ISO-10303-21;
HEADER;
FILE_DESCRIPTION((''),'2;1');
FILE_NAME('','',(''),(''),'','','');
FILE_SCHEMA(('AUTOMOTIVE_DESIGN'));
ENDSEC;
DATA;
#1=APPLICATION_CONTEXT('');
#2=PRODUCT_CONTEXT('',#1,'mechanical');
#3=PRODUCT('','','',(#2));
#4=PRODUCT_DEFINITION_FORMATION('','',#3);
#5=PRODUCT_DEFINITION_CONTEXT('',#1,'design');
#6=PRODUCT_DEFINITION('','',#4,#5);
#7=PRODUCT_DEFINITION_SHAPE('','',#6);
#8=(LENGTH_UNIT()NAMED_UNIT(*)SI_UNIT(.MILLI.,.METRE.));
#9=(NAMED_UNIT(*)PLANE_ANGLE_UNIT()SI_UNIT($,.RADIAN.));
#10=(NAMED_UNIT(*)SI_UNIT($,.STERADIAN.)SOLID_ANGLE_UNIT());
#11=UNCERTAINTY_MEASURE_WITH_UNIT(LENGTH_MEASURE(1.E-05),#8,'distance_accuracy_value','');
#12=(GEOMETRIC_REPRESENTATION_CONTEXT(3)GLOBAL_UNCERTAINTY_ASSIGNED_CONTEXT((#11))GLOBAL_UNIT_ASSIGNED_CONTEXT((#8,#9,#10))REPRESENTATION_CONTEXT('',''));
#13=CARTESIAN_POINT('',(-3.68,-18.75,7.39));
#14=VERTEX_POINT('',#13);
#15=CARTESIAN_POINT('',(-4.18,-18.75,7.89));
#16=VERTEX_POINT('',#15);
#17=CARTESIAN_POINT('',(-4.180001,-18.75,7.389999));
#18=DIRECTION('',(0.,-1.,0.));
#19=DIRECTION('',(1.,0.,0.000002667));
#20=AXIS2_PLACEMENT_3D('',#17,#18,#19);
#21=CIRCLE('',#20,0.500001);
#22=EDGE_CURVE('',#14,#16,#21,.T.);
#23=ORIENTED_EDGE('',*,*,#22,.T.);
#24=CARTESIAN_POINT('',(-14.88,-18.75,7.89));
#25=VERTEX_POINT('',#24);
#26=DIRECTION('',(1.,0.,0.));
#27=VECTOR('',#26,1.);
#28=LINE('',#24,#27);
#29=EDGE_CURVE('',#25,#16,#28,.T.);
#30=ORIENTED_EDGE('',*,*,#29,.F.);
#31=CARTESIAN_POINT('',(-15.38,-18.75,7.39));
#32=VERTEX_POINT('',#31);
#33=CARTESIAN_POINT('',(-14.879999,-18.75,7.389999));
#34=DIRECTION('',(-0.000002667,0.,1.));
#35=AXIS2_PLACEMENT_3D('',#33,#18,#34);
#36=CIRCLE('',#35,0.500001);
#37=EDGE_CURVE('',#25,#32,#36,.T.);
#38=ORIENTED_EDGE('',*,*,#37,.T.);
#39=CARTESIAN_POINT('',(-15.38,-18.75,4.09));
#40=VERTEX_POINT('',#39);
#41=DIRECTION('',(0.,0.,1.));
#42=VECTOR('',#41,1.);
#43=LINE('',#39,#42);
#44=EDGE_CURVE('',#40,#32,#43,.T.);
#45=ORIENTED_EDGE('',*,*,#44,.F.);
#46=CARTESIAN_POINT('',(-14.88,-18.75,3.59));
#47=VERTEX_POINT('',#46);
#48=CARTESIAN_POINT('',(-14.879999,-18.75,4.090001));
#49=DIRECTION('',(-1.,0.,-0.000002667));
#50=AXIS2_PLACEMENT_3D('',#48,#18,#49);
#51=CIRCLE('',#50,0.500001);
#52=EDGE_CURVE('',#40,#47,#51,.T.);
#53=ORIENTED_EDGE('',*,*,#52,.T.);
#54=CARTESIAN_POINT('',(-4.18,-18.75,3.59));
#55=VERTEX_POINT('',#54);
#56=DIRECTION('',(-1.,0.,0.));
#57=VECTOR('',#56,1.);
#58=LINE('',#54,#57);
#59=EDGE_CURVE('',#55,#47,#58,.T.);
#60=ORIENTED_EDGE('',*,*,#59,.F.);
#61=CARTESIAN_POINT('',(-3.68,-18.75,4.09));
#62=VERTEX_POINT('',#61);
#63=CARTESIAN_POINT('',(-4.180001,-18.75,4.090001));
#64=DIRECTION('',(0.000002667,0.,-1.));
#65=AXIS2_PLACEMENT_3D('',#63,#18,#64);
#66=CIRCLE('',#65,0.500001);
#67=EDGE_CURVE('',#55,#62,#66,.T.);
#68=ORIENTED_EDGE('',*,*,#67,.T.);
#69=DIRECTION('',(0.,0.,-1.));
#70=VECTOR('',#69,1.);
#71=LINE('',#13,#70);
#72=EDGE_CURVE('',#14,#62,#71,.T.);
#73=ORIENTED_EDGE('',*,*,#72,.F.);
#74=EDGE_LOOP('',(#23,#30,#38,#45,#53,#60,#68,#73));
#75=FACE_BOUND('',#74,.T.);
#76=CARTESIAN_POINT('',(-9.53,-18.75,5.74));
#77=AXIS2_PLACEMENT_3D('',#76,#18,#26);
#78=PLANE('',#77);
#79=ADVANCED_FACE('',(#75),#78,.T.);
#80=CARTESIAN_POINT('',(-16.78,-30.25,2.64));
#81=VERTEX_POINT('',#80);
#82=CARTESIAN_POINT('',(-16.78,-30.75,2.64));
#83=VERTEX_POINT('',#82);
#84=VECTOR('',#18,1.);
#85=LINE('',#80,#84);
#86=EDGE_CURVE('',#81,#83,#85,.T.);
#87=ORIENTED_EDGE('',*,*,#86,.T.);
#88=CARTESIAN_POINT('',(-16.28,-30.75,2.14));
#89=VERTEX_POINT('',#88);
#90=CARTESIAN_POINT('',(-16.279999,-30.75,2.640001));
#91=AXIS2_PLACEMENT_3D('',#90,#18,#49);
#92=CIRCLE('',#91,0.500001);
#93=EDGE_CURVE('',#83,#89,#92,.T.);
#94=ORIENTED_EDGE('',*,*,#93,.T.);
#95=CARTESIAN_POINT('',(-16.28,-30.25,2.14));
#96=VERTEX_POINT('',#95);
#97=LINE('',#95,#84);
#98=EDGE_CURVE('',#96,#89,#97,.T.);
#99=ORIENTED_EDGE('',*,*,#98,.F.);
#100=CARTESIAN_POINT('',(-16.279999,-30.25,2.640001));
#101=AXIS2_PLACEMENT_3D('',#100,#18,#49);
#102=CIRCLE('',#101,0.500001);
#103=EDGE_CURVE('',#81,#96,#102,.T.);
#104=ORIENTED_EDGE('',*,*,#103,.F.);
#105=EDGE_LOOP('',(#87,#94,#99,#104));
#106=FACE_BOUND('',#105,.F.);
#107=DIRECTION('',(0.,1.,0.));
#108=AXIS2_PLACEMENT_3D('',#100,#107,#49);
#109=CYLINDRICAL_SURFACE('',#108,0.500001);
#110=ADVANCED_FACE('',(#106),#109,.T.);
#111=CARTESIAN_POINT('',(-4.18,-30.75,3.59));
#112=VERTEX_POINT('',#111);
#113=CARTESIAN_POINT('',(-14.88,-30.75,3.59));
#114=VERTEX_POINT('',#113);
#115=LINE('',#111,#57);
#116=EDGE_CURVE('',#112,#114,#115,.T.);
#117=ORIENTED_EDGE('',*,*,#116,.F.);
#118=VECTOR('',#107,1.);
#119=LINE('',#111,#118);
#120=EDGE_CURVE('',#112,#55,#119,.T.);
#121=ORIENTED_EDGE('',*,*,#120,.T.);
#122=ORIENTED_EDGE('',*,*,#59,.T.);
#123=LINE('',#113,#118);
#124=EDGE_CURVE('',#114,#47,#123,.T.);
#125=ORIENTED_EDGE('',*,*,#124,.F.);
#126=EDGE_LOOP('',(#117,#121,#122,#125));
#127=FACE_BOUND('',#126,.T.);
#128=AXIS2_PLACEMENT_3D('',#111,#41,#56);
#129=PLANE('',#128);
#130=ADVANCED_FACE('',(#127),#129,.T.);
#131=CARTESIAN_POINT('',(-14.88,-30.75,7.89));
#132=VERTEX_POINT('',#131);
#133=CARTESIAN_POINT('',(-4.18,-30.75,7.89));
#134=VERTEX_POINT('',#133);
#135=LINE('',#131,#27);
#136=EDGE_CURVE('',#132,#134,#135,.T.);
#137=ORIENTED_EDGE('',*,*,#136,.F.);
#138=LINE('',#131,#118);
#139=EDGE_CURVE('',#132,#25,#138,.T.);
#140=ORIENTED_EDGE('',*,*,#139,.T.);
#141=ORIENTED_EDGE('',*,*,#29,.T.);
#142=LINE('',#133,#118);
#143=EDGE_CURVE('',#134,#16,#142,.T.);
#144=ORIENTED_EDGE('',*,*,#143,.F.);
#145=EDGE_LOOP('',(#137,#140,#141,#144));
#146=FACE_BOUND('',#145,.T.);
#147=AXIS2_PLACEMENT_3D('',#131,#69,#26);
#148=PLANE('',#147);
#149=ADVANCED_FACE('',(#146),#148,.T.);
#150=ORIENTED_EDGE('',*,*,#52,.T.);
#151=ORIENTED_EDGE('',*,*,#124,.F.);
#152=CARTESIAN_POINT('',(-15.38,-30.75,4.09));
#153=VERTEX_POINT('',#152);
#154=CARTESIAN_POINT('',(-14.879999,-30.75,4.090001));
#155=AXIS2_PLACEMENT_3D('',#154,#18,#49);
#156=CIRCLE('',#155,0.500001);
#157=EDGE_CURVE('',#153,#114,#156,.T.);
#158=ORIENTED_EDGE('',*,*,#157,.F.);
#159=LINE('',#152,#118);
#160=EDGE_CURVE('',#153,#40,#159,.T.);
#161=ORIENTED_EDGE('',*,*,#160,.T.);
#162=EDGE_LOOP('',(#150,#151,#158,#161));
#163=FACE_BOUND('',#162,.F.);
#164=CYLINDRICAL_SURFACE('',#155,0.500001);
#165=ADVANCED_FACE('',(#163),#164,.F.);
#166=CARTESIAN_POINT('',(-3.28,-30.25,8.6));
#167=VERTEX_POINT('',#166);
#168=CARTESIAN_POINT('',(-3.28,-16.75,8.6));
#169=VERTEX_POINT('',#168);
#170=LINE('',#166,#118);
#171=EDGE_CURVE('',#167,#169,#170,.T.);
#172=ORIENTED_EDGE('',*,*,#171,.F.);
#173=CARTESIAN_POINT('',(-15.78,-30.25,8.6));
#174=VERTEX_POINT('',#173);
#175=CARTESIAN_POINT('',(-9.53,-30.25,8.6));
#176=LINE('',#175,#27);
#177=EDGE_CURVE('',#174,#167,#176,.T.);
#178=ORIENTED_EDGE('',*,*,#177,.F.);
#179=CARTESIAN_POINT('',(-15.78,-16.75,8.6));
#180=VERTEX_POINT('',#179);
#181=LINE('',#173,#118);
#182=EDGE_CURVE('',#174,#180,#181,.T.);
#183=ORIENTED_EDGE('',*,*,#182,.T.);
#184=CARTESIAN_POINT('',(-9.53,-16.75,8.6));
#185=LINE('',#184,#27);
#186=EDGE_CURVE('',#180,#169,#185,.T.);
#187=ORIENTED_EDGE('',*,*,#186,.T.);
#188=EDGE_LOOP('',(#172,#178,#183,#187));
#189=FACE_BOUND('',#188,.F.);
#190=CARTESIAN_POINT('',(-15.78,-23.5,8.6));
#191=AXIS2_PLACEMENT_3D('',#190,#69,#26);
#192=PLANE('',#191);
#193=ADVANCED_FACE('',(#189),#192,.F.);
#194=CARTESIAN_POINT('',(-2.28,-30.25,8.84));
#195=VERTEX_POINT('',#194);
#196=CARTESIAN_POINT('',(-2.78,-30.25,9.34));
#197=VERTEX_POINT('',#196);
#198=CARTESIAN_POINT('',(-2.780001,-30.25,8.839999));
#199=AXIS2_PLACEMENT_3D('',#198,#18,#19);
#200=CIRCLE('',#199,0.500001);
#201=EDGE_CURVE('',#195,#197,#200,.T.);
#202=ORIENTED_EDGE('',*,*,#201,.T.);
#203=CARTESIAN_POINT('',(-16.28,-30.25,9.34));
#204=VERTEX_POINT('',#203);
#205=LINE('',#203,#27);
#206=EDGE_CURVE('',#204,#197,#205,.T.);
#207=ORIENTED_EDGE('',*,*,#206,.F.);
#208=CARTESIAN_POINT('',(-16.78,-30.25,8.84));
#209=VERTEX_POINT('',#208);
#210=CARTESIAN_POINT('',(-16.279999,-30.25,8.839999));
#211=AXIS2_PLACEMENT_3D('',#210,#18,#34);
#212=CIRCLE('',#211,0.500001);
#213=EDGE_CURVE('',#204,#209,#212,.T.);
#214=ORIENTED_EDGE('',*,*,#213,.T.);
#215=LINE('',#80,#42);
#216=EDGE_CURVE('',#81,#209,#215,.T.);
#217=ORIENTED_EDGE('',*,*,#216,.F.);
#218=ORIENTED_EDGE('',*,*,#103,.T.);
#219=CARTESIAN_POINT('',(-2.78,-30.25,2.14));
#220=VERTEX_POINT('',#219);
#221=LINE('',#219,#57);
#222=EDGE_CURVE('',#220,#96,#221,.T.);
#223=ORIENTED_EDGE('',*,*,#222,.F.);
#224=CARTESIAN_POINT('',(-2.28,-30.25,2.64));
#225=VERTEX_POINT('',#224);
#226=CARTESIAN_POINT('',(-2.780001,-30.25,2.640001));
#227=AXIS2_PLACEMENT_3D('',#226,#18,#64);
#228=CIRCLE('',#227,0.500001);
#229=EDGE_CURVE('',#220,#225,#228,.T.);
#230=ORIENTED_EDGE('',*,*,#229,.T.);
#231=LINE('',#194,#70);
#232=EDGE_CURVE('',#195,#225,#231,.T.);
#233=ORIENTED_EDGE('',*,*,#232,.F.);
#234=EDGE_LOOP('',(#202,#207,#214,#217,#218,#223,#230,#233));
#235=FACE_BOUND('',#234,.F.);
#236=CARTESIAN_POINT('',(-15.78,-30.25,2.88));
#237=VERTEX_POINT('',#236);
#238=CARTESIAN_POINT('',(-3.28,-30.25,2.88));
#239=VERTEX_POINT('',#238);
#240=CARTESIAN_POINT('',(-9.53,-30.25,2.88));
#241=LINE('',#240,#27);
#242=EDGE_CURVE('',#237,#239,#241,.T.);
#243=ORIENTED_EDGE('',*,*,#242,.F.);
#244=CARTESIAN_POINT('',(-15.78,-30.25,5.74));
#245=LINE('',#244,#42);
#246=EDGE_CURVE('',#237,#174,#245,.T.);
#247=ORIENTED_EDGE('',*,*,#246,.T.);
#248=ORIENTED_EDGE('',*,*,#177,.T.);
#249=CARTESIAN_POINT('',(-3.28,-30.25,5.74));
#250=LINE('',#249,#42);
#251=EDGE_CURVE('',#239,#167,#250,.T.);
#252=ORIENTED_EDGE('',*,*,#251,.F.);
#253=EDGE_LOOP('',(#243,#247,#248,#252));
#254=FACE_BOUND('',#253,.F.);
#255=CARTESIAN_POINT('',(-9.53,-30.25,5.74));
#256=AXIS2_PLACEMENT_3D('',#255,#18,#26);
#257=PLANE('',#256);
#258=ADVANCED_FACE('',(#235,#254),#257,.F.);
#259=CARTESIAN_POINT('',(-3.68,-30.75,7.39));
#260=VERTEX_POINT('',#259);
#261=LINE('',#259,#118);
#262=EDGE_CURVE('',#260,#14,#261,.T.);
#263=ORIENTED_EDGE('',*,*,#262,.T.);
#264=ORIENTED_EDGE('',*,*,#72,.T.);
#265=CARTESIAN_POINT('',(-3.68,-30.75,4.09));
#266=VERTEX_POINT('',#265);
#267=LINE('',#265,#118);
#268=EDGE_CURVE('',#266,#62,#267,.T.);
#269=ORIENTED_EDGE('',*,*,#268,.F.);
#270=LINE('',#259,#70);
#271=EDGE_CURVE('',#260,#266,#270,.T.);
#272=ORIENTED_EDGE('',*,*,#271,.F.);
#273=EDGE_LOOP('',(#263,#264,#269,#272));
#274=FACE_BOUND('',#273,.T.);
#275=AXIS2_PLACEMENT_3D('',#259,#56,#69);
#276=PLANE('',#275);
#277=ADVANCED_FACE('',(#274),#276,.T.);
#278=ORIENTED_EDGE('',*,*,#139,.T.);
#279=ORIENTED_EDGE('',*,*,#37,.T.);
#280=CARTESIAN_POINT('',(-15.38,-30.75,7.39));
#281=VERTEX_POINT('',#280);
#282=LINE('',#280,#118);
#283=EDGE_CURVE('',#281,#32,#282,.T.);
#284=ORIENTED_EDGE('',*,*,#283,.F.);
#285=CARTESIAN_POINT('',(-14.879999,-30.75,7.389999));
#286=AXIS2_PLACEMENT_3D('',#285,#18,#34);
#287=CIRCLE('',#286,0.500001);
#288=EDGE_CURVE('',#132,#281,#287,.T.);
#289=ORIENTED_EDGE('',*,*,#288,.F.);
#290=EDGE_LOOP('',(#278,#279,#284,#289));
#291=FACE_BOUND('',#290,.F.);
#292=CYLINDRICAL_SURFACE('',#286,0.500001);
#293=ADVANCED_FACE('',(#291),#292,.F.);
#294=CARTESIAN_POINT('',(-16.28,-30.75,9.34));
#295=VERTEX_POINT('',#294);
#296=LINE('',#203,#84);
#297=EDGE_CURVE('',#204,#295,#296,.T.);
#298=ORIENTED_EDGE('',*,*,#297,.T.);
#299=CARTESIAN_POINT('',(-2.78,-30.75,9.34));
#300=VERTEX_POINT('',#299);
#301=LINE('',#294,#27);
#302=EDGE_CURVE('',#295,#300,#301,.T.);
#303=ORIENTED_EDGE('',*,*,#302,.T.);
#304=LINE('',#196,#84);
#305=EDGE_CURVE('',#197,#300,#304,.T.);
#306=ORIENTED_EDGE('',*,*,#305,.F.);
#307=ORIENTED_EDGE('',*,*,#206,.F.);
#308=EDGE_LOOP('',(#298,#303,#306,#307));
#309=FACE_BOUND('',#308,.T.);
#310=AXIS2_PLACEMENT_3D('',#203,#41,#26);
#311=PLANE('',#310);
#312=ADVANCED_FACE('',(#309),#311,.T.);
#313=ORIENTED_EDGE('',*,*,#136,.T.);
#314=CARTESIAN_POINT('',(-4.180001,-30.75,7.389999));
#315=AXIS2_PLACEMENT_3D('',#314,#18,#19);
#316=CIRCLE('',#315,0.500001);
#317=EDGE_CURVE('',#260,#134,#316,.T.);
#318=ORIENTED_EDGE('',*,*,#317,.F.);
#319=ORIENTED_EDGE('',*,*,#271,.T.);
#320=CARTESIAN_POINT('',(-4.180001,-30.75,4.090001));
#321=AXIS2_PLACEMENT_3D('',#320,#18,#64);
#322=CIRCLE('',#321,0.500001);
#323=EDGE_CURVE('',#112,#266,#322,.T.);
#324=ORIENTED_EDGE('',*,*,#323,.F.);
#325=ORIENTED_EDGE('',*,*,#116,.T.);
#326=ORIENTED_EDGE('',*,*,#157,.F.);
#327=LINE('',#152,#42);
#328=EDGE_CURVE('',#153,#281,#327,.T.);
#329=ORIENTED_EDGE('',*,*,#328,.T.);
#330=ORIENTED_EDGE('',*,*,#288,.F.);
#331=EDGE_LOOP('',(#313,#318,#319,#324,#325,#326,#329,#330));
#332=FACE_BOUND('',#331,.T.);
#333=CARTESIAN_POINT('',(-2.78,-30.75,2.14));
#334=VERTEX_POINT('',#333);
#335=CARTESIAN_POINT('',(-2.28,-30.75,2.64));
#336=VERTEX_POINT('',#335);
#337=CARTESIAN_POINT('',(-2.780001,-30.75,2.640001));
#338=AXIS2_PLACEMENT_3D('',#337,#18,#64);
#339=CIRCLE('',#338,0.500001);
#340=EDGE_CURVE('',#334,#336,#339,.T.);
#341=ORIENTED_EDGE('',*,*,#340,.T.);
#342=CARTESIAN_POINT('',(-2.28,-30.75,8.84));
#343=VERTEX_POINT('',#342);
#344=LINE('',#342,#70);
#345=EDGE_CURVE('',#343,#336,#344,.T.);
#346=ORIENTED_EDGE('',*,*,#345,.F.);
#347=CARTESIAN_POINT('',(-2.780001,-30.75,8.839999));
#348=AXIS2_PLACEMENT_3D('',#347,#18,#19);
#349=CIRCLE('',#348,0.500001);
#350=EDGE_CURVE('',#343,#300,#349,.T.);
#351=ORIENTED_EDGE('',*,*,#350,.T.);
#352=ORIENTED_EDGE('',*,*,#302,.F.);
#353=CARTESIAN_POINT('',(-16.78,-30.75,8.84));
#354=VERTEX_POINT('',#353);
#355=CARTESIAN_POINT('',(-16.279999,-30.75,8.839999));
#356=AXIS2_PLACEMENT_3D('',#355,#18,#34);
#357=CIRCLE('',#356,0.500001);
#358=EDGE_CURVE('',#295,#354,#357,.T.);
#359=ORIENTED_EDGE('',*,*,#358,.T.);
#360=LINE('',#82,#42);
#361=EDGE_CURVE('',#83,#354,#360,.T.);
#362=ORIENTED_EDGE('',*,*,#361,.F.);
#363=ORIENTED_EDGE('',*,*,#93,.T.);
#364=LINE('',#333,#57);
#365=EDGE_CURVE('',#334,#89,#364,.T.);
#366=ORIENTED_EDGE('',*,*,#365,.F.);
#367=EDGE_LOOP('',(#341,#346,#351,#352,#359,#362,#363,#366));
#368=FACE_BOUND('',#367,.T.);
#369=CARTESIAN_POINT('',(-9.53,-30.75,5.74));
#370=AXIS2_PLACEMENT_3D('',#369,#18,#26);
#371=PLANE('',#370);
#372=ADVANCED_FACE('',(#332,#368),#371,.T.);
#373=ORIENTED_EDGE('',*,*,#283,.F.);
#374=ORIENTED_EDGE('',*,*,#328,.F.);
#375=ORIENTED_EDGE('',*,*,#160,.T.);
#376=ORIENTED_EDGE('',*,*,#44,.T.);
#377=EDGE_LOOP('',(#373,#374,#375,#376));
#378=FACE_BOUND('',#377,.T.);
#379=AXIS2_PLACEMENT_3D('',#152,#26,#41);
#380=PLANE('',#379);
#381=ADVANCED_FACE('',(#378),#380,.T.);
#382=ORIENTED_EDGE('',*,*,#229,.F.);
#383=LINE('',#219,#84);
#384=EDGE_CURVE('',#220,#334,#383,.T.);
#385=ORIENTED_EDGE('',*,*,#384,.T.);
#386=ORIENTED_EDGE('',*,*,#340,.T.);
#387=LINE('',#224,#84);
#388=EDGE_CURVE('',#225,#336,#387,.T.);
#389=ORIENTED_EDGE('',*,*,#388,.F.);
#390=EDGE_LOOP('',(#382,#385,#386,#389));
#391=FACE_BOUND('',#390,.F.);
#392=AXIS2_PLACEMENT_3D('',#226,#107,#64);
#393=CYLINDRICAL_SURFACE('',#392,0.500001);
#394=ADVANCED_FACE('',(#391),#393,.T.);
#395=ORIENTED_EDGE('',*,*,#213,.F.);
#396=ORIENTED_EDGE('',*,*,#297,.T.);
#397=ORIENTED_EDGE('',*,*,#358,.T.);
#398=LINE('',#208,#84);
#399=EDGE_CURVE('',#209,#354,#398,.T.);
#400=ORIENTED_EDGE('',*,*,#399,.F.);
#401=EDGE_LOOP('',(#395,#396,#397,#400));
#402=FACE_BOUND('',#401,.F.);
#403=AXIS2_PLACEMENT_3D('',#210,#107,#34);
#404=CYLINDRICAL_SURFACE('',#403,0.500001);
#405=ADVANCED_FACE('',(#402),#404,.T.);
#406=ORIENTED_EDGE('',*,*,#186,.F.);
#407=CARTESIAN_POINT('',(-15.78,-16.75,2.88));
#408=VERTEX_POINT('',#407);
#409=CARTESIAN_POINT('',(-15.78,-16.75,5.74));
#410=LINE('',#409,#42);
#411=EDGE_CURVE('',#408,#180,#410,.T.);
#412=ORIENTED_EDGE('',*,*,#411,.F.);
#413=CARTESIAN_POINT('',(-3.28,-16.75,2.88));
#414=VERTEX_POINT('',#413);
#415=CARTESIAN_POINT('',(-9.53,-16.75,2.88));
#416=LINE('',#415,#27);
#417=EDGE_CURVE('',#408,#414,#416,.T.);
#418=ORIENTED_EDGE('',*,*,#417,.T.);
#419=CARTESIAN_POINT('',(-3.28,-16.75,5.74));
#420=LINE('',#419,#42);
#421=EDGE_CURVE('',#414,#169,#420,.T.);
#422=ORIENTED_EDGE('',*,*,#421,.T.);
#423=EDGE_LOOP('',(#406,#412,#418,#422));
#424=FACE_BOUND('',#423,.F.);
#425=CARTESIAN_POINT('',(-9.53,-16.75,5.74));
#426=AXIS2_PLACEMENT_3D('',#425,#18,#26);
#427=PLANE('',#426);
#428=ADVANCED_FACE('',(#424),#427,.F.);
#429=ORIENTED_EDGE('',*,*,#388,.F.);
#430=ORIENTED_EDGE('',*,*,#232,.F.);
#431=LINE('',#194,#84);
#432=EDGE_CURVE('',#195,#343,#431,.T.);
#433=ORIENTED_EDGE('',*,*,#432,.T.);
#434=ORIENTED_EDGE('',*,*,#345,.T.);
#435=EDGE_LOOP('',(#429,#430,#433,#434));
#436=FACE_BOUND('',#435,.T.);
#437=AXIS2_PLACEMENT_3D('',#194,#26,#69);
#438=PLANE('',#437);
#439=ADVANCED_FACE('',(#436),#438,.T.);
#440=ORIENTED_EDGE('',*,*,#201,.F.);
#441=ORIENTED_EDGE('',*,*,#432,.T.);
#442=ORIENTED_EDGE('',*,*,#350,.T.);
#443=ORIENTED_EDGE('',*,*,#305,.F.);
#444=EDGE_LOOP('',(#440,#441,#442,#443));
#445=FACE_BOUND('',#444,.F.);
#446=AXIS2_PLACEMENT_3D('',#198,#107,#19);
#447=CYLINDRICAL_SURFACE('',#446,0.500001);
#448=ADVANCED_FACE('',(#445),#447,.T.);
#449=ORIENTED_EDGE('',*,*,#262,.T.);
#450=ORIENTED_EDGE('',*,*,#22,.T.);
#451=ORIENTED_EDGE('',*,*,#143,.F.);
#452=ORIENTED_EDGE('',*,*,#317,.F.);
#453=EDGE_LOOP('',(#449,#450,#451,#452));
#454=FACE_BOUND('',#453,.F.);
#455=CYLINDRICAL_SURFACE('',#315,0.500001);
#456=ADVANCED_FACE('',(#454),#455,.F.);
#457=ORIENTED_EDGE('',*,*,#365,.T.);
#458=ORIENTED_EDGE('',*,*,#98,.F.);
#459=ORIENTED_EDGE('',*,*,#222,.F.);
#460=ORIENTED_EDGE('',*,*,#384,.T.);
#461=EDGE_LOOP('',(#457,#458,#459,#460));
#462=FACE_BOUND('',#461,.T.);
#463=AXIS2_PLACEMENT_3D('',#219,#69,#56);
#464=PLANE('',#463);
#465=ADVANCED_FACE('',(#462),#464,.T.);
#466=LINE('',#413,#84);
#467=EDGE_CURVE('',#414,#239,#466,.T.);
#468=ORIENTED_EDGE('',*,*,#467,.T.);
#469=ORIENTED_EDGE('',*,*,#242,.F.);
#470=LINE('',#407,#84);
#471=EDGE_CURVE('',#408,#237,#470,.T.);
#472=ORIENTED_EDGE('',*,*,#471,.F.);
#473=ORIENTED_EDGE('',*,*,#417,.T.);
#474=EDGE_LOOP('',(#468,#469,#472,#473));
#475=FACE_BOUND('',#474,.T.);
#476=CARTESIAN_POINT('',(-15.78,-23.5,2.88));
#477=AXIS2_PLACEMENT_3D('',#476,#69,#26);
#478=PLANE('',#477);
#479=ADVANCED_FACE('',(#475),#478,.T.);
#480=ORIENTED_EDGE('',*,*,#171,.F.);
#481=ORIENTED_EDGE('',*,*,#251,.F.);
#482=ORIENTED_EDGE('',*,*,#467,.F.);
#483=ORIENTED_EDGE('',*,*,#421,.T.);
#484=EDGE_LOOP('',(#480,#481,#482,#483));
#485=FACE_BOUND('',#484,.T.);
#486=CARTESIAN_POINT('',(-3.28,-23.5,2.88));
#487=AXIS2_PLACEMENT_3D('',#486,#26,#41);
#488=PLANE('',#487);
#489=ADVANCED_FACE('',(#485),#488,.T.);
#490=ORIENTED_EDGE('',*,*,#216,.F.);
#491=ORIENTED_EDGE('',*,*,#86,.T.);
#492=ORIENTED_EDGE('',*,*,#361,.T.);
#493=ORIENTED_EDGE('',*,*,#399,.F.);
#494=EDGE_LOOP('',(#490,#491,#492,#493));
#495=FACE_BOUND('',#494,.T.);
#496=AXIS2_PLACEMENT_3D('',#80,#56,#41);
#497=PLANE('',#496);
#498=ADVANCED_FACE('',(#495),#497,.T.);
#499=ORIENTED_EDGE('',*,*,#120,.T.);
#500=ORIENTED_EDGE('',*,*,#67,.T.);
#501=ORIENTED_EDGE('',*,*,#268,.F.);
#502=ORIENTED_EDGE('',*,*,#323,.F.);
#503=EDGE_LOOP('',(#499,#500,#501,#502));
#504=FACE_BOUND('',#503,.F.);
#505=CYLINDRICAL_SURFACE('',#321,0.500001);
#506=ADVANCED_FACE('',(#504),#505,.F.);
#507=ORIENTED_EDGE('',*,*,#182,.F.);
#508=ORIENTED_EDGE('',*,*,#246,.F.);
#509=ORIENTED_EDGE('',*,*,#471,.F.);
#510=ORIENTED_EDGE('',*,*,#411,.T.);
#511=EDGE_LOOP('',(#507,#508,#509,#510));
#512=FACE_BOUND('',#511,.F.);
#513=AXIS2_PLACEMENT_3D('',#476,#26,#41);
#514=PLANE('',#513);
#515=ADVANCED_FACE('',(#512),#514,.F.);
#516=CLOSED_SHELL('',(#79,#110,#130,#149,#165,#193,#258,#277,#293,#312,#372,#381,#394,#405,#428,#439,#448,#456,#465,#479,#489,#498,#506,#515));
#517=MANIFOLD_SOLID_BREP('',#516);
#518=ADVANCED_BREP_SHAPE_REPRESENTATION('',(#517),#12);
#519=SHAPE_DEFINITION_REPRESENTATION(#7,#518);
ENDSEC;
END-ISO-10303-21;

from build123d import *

# Parameters (mm, degrees)
SKETCH009_W     = 12.5
SKETCH009_H     = 5.72
PAD007_DEPTH    = 6.75
PAD008_DEPTH    = 0.5
POCKET002_DEPTH = 12


with BuildPart() as part:
    # Sketch009 → Pad007 (new body, symmetric)
    with BuildSketch(Plane.XZ):
        with Locations((0, 4.14)):
            Rectangle(SKETCH009_W, SKETCH009_H)
    extrude(amount=PAD007_DEPTH, both=True)

    # Sketch010 (on Face6 of Pad007) → Pad008 (join)
    with BuildSketch(Plane.XZ.offset(6.75)):
        with BuildLine():
            ThreePointArc((-6.75, 7.74), (-7.103553, 7.593553), (-7.25, 7.24))
            Line((-7.25, 1.04), (-7.25, 7.24))
            ThreePointArc((-7.25, 1.04), (-7.103553, 0.686447), (-6.75, 0.54))
            Line((6.75, 0.54), (-6.75, 0.54))
            ThreePointArc((6.75, 0.54), (7.103553, 0.686447), (7.25, 1.04))
            Line((7.25, 7.24), (7.25, 1.04))
            ThreePointArc((7.25, 7.24), (7.103553, 7.593553), (6.75, 7.74))
            Line((-6.75, 7.74), (6.75, 7.74))
        make_face()
    extrude(amount=PAD008_DEPTH)

    # Sketch011 (on Face5 of Pad008) → Pocket002 (cut)
    with BuildSketch(Plane.XZ.offset(7.25)):
        with BuildLine():
            ThreePointArc((-5.35, 6.29), (-5.703553, 6.143553), (-5.85, 5.79))
            Line((-5.85, 2.49), (-5.85, 5.79))
            ThreePointArc((-5.85, 2.49), (-5.703553, 2.136447), (-5.35, 1.99))
            Line((5.35, 1.99), (-5.35, 1.99))
            ThreePointArc((5.35, 1.99), (5.703553, 2.136447), (5.85, 2.49))
            Line((5.85, 5.79), (5.85, 2.49))
            ThreePointArc((5.85, 5.79), (5.703553, 6.143553), (5.35, 6.29))
            Line((-5.35, 6.29), (5.35, 6.29))
        make_face()
    extrude(amount=-POCKET002_DEPTH, mode=Mode.SUBTRACT)


with BuildPart() as part_1:
    # Body004 placement: moved
    add(part.part.moved(Location((-9.53, -23.5, 1.6))))


solid = part_1.part
